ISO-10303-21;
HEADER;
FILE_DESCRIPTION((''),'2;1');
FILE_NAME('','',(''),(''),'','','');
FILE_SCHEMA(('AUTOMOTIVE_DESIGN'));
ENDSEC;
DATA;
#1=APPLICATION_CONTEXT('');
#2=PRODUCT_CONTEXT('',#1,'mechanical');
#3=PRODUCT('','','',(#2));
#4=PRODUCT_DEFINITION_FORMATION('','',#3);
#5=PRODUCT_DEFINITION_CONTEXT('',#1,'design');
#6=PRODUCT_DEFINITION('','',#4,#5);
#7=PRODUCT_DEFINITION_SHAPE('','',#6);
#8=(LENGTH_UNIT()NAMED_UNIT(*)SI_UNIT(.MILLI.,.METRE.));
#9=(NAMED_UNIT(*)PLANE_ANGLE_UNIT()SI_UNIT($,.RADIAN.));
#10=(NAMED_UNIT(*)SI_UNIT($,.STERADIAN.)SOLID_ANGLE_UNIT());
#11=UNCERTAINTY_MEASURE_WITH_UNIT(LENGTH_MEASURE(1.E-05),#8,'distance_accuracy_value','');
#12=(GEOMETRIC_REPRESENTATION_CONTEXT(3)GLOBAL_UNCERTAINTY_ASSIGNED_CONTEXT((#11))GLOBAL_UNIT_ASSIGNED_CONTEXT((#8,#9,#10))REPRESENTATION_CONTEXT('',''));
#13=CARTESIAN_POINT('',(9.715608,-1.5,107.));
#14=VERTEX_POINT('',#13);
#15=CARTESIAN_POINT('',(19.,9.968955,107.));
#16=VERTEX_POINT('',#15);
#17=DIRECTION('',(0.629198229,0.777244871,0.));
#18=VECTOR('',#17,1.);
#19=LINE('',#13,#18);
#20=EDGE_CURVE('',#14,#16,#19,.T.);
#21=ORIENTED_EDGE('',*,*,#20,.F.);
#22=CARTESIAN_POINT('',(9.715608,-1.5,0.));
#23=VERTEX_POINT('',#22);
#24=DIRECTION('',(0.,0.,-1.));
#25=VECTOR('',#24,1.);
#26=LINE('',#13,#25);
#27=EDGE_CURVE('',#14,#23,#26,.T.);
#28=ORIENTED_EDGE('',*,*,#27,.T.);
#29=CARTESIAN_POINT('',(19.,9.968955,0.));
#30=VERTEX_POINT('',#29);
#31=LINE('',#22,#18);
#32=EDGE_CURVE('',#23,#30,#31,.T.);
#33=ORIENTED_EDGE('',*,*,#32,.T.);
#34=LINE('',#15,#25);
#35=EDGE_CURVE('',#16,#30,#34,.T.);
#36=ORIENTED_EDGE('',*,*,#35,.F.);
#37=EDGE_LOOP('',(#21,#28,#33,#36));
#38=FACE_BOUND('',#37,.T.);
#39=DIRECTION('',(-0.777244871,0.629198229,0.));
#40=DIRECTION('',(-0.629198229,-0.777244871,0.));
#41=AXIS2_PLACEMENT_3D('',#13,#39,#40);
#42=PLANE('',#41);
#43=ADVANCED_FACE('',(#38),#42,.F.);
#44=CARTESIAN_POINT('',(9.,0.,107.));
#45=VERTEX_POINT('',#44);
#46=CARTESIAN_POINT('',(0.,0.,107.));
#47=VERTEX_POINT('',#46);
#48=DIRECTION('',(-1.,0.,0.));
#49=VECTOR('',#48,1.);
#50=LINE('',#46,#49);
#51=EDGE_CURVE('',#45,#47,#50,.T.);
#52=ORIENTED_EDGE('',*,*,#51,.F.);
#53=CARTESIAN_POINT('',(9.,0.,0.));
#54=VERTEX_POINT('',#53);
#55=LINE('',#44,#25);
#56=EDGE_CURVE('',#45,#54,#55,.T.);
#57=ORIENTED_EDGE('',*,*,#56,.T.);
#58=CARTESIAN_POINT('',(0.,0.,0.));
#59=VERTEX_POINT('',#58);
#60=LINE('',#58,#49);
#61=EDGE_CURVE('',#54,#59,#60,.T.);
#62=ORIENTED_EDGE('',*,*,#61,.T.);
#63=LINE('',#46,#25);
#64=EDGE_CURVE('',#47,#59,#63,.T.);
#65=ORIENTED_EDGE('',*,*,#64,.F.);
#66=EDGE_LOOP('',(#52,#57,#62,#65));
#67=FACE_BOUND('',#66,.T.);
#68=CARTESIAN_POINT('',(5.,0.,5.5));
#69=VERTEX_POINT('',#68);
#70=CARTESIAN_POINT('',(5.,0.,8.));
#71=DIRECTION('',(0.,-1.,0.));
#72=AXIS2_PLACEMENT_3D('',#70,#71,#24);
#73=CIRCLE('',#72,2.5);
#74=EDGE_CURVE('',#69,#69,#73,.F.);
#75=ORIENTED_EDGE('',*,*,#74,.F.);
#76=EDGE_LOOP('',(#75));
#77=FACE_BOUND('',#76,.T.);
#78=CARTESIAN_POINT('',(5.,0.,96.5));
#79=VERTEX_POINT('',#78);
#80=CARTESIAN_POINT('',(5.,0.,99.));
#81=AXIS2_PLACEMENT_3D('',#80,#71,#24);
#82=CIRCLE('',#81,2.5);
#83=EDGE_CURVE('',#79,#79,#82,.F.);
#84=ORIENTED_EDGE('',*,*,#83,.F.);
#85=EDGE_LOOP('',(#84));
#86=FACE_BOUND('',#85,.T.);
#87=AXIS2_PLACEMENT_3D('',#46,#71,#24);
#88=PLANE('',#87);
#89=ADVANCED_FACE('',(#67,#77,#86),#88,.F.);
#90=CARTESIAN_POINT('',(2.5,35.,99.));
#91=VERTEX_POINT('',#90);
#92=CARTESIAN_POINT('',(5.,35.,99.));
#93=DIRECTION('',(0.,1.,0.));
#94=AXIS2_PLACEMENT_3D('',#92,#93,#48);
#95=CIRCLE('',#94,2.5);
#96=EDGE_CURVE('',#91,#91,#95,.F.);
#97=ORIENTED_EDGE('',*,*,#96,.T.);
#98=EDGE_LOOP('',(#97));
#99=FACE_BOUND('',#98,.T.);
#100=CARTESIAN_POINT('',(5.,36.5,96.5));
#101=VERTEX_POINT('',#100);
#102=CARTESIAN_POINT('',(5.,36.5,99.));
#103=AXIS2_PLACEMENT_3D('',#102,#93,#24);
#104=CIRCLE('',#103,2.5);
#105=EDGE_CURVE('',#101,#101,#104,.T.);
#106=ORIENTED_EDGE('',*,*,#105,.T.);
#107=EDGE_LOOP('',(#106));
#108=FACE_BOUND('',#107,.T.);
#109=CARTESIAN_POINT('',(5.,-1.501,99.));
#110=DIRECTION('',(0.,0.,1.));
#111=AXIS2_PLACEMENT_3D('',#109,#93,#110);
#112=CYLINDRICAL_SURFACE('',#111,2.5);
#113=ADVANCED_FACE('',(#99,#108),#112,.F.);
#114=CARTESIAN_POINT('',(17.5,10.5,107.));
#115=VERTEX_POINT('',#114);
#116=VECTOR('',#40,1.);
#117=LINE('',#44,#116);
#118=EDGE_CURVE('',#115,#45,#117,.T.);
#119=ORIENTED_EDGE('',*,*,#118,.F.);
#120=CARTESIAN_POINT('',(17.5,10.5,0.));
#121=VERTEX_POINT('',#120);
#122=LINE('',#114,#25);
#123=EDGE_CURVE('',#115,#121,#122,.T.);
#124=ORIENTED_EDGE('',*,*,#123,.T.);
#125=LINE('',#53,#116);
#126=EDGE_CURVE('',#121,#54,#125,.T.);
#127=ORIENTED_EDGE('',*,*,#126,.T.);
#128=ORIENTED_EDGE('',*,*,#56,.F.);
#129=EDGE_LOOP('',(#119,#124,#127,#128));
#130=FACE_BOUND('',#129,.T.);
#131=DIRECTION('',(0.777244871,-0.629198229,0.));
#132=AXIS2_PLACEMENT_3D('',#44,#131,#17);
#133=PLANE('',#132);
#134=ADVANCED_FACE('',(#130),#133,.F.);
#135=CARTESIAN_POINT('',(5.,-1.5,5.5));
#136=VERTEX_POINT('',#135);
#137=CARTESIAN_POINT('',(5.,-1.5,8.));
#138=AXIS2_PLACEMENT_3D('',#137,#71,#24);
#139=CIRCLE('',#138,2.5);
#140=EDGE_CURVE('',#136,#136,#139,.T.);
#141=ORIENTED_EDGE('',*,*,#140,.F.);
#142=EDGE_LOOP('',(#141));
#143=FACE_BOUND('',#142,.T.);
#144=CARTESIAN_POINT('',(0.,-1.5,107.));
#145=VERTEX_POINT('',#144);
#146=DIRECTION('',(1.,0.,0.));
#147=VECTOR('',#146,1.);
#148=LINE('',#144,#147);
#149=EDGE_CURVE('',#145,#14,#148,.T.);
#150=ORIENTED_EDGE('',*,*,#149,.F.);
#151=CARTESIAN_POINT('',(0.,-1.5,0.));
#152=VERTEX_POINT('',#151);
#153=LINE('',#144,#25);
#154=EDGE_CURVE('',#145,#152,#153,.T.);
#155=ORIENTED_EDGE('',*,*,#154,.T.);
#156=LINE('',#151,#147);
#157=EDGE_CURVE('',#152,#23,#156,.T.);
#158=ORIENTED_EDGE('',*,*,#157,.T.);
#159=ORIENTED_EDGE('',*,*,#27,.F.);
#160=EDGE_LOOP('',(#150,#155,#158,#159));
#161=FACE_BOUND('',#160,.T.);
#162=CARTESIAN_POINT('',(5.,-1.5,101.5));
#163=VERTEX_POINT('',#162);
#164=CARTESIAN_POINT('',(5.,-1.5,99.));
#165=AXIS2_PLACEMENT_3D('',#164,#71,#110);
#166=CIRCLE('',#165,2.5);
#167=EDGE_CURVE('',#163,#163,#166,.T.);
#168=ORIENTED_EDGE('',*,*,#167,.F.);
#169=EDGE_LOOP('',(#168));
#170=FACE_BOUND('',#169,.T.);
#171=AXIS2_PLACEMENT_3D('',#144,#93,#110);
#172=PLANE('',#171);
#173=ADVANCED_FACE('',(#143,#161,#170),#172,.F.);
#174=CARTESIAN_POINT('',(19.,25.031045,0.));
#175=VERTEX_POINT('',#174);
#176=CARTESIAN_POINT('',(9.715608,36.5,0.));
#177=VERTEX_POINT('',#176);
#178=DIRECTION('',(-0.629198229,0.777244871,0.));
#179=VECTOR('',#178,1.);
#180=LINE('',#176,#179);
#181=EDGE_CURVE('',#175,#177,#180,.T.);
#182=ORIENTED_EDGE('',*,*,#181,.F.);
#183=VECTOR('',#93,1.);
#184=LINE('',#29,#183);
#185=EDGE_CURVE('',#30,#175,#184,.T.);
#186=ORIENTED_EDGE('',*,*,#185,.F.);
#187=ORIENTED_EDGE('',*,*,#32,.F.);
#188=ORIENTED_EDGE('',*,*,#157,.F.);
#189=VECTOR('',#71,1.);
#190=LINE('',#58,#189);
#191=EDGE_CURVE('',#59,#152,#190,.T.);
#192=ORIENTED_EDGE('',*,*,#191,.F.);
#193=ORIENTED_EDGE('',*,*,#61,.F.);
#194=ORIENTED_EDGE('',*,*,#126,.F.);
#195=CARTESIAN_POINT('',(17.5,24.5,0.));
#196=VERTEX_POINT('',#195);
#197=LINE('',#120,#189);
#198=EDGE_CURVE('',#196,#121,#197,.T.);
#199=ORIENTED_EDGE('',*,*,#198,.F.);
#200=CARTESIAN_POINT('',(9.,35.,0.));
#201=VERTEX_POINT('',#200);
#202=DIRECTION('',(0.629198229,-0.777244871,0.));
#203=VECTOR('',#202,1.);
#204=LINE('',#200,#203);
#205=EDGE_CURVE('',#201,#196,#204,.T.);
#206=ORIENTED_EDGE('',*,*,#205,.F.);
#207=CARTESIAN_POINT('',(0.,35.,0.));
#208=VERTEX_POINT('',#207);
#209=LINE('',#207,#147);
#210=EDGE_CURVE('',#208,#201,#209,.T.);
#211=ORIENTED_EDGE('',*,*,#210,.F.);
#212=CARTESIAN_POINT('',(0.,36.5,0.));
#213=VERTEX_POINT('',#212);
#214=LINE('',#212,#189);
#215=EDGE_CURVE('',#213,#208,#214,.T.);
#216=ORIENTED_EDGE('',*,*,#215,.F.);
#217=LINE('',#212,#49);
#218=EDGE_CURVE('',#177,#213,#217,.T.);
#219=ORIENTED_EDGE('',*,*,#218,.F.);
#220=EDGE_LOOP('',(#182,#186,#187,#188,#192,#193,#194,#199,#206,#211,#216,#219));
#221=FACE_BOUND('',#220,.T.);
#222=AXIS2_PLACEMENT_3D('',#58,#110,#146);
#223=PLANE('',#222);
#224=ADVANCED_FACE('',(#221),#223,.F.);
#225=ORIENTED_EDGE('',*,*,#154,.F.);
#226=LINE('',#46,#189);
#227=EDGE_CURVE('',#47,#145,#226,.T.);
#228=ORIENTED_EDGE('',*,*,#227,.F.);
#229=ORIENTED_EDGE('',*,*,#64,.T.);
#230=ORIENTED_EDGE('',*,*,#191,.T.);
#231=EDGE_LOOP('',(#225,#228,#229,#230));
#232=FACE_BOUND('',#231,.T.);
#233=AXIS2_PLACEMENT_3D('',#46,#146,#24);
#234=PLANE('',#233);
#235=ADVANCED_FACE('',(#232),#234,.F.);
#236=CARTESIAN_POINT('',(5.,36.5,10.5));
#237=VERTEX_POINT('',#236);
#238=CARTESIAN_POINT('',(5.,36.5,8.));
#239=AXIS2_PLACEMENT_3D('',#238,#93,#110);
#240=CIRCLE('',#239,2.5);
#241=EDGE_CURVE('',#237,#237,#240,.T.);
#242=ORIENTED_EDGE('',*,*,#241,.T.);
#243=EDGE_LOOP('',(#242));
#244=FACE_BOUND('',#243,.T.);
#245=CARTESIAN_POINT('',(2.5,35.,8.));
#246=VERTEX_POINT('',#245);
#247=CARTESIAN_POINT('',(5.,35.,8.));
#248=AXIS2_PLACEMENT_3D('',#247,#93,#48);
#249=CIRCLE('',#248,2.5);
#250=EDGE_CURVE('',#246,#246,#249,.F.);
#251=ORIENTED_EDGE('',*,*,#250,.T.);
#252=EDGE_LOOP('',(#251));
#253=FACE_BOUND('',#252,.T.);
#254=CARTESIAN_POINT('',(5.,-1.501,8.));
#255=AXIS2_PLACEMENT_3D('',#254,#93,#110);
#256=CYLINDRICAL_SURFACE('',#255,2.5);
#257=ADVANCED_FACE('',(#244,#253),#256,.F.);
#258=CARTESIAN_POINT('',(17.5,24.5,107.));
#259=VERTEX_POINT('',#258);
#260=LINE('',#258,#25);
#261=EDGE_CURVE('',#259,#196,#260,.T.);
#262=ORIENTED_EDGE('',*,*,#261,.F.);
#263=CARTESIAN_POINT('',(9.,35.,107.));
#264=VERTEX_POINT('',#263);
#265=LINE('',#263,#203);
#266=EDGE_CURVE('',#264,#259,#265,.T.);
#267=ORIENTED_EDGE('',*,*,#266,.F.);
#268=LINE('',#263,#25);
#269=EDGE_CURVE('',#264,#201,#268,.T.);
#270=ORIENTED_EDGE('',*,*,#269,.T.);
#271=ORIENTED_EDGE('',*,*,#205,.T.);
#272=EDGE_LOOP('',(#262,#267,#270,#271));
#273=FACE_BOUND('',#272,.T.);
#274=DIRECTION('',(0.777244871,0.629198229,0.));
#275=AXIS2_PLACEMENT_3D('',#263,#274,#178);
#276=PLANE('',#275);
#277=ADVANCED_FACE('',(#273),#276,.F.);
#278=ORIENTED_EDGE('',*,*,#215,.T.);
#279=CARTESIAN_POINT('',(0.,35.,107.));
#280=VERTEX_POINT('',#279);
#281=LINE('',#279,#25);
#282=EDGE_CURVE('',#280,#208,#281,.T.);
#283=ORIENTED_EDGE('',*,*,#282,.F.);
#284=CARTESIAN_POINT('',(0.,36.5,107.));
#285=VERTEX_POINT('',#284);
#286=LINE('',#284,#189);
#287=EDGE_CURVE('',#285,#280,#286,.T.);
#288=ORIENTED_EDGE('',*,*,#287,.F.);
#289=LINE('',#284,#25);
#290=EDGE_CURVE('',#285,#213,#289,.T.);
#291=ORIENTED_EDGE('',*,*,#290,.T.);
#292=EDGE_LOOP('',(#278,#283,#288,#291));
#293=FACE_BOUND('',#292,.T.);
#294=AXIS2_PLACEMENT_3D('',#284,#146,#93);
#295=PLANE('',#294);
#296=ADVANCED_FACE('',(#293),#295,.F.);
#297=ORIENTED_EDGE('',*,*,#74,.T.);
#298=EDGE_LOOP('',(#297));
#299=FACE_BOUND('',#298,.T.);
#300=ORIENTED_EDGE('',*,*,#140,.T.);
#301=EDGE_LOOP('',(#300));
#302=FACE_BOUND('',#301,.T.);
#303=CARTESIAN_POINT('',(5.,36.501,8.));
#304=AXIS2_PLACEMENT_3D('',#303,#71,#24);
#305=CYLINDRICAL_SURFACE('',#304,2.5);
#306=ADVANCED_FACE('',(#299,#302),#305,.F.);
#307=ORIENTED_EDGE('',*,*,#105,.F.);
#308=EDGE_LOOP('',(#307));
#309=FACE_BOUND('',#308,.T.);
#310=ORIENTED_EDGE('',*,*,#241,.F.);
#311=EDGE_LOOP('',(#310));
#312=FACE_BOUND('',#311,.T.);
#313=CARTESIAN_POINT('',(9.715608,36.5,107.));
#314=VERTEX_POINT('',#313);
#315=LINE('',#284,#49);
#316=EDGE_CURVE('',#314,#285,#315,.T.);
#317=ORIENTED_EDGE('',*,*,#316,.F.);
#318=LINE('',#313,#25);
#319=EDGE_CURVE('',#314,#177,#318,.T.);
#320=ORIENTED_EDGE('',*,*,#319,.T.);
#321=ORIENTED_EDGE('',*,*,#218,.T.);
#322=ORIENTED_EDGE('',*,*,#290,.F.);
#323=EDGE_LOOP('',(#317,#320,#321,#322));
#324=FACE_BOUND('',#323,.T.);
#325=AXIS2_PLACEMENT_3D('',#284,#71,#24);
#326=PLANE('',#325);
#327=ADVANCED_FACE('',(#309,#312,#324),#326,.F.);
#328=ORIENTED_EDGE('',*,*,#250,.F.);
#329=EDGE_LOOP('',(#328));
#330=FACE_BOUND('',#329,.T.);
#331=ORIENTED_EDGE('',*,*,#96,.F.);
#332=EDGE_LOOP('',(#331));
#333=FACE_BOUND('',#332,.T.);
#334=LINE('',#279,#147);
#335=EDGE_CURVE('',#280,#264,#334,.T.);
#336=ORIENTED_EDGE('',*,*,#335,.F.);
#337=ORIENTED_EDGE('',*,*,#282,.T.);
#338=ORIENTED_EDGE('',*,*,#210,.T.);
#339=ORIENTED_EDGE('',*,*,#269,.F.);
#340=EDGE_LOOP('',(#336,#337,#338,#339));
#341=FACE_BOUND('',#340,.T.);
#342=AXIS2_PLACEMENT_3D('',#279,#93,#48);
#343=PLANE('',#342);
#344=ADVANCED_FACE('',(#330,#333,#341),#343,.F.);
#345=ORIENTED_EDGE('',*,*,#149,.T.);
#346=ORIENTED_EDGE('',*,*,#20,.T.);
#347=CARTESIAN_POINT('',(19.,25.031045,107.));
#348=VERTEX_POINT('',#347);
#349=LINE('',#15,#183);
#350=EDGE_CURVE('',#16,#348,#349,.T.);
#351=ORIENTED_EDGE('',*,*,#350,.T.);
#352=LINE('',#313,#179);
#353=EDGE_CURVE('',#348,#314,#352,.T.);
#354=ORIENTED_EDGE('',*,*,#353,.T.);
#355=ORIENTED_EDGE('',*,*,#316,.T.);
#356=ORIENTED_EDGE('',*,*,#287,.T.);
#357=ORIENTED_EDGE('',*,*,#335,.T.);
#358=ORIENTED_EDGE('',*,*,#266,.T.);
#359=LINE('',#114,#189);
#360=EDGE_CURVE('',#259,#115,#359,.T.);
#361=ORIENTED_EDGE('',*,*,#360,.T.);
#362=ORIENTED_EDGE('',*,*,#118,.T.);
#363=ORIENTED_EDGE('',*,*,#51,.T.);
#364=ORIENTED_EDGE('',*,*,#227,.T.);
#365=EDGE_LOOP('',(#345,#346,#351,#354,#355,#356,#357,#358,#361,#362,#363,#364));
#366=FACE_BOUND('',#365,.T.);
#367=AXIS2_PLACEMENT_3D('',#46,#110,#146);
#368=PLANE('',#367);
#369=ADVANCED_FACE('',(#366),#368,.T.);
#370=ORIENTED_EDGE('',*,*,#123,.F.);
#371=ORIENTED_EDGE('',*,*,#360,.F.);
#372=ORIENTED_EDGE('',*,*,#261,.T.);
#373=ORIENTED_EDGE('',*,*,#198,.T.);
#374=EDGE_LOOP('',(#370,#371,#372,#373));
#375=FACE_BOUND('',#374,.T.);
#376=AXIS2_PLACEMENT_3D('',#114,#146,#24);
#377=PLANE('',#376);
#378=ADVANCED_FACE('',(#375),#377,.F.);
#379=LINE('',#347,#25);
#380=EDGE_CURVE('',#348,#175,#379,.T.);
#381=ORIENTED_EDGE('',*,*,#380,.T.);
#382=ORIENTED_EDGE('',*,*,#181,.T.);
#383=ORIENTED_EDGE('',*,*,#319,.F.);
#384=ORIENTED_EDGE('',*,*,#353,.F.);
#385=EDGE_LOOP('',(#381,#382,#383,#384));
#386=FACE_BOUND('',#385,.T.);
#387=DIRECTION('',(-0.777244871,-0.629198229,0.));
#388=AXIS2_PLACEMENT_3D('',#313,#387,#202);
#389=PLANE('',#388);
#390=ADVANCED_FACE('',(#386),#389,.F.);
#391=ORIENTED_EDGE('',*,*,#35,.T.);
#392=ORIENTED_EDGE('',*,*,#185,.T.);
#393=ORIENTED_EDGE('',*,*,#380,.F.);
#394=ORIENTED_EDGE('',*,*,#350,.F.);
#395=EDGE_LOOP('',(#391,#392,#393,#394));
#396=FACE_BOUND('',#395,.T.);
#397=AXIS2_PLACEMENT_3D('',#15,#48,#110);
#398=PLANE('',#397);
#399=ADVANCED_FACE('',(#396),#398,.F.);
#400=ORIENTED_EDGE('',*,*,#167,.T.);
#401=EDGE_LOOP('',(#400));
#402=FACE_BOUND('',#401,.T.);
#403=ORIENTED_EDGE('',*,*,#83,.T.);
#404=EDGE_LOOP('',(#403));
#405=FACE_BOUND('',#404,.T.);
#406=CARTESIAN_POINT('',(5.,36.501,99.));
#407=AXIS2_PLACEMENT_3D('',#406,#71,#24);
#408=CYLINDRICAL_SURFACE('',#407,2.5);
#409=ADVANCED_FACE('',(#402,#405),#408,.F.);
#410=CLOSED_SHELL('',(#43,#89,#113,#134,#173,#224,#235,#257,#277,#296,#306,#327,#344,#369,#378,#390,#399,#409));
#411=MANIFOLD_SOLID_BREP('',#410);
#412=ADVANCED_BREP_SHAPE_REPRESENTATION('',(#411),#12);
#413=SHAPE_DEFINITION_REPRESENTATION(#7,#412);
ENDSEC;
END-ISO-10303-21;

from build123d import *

# Parameters (mm, degrees)
SALIENTE_EXTRUIR1_DEPTH = 107
CORTAR_EXTRUIR1_REACH   = 40
CROQUIS3_R              = 2.5
CORTAR_EXTRUIR2_REACH   = 40
CROQUIS4_R              = 2.5


with BuildPart() as part:
    # Croquis1 → Saliente-Extruir1 (new body)
    with BuildSketch(Plane.XY):
        Polygon((0, 0), (9, 0), (17.5, 10.5), (17.5, 24.5), (9, 35), (0, 35), (0, 36.5), (9.715608012, 36.5), (19, 25.031045192), (19, 9.968954808), (9.715608012, -1.5), (0, -1.5), align=None)
    extrude(amount=SALIENTE_EXTRUIR1_DEPTH)

    # Croquis3 → Cortar-Extruir1 (cut, up to next)
    with BuildSketch(Plane(origin=(0, 36.5, 0), x_dir=(1, 0, 0), z_dir=(0, 1, 0)), mode=Mode.PRIVATE) as cortar_extruir1_sk1:
        with Locations((5, -8)):
            Circle(CROQUIS3_R)
    cortar_extruir1_tool1 = extrude(cortar_extruir1_sk1.sketch, amount=-CORTAR_EXTRUIR1_REACH, mode=Mode.PRIVATE) & part.part
    add(cortar_extruir1_tool1.solids().sort_by_distance((5, 36.5, 8))[0], mode=Mode.SUBTRACT)
    # Croquis3 → Cortar-Extruir1 (cut, up to next)
    with BuildSketch(Plane(origin=(0, 36.5, 0), x_dir=(1, 0, 0), z_dir=(0, 1, 0)), mode=Mode.PRIVATE) as cortar_extruir1_sk2:
        with Locations((5, -99)):
            Circle(CROQUIS3_R)
    cortar_extruir1_tool2 = extrude(cortar_extruir1_sk2.sketch, amount=-CORTAR_EXTRUIR1_REACH, mode=Mode.PRIVATE) & part.part
    add(cortar_extruir1_tool2.solids().sort_by_distance((5, 36.5, 99))[0], mode=Mode.SUBTRACT)

    # Croquis4 → Cortar-Extruir2 (cut, up to next)
    with BuildSketch(Plane.XZ.offset(1.5), mode=Mode.PRIVATE) as cortar_extruir2_sk1:
        with Locations((5, 8)):
            Circle(CROQUIS4_R)
    cortar_extruir2_tool1 = extrude(cortar_extruir2_sk1.sketch, amount=-CORTAR_EXTRUIR2_REACH, mode=Mode.PRIVATE) & part.part
    add(cortar_extruir2_tool1.solids().sort_by_distance((5, -1.5, 8))[0], mode=Mode.SUBTRACT)
    # Croquis4 → Cortar-Extruir2 (cut, up to next)
    with BuildSketch(Plane.XZ.offset(1.5), mode=Mode.PRIVATE) as cortar_extruir2_sk2:
        with Locations((5, 99)):
            Circle(CROQUIS4_R)
    cortar_extruir2_tool2 = extrude(cortar_extruir2_sk2.sketch, amount=-CORTAR_EXTRUIR2_REACH, mode=Mode.PRIVATE) & part.part
    add(cortar_extruir2_tool2.solids().sort_by_distance((5, -1.5, 99))[0], mode=Mode.SUBTRACT)


solid = part.part
